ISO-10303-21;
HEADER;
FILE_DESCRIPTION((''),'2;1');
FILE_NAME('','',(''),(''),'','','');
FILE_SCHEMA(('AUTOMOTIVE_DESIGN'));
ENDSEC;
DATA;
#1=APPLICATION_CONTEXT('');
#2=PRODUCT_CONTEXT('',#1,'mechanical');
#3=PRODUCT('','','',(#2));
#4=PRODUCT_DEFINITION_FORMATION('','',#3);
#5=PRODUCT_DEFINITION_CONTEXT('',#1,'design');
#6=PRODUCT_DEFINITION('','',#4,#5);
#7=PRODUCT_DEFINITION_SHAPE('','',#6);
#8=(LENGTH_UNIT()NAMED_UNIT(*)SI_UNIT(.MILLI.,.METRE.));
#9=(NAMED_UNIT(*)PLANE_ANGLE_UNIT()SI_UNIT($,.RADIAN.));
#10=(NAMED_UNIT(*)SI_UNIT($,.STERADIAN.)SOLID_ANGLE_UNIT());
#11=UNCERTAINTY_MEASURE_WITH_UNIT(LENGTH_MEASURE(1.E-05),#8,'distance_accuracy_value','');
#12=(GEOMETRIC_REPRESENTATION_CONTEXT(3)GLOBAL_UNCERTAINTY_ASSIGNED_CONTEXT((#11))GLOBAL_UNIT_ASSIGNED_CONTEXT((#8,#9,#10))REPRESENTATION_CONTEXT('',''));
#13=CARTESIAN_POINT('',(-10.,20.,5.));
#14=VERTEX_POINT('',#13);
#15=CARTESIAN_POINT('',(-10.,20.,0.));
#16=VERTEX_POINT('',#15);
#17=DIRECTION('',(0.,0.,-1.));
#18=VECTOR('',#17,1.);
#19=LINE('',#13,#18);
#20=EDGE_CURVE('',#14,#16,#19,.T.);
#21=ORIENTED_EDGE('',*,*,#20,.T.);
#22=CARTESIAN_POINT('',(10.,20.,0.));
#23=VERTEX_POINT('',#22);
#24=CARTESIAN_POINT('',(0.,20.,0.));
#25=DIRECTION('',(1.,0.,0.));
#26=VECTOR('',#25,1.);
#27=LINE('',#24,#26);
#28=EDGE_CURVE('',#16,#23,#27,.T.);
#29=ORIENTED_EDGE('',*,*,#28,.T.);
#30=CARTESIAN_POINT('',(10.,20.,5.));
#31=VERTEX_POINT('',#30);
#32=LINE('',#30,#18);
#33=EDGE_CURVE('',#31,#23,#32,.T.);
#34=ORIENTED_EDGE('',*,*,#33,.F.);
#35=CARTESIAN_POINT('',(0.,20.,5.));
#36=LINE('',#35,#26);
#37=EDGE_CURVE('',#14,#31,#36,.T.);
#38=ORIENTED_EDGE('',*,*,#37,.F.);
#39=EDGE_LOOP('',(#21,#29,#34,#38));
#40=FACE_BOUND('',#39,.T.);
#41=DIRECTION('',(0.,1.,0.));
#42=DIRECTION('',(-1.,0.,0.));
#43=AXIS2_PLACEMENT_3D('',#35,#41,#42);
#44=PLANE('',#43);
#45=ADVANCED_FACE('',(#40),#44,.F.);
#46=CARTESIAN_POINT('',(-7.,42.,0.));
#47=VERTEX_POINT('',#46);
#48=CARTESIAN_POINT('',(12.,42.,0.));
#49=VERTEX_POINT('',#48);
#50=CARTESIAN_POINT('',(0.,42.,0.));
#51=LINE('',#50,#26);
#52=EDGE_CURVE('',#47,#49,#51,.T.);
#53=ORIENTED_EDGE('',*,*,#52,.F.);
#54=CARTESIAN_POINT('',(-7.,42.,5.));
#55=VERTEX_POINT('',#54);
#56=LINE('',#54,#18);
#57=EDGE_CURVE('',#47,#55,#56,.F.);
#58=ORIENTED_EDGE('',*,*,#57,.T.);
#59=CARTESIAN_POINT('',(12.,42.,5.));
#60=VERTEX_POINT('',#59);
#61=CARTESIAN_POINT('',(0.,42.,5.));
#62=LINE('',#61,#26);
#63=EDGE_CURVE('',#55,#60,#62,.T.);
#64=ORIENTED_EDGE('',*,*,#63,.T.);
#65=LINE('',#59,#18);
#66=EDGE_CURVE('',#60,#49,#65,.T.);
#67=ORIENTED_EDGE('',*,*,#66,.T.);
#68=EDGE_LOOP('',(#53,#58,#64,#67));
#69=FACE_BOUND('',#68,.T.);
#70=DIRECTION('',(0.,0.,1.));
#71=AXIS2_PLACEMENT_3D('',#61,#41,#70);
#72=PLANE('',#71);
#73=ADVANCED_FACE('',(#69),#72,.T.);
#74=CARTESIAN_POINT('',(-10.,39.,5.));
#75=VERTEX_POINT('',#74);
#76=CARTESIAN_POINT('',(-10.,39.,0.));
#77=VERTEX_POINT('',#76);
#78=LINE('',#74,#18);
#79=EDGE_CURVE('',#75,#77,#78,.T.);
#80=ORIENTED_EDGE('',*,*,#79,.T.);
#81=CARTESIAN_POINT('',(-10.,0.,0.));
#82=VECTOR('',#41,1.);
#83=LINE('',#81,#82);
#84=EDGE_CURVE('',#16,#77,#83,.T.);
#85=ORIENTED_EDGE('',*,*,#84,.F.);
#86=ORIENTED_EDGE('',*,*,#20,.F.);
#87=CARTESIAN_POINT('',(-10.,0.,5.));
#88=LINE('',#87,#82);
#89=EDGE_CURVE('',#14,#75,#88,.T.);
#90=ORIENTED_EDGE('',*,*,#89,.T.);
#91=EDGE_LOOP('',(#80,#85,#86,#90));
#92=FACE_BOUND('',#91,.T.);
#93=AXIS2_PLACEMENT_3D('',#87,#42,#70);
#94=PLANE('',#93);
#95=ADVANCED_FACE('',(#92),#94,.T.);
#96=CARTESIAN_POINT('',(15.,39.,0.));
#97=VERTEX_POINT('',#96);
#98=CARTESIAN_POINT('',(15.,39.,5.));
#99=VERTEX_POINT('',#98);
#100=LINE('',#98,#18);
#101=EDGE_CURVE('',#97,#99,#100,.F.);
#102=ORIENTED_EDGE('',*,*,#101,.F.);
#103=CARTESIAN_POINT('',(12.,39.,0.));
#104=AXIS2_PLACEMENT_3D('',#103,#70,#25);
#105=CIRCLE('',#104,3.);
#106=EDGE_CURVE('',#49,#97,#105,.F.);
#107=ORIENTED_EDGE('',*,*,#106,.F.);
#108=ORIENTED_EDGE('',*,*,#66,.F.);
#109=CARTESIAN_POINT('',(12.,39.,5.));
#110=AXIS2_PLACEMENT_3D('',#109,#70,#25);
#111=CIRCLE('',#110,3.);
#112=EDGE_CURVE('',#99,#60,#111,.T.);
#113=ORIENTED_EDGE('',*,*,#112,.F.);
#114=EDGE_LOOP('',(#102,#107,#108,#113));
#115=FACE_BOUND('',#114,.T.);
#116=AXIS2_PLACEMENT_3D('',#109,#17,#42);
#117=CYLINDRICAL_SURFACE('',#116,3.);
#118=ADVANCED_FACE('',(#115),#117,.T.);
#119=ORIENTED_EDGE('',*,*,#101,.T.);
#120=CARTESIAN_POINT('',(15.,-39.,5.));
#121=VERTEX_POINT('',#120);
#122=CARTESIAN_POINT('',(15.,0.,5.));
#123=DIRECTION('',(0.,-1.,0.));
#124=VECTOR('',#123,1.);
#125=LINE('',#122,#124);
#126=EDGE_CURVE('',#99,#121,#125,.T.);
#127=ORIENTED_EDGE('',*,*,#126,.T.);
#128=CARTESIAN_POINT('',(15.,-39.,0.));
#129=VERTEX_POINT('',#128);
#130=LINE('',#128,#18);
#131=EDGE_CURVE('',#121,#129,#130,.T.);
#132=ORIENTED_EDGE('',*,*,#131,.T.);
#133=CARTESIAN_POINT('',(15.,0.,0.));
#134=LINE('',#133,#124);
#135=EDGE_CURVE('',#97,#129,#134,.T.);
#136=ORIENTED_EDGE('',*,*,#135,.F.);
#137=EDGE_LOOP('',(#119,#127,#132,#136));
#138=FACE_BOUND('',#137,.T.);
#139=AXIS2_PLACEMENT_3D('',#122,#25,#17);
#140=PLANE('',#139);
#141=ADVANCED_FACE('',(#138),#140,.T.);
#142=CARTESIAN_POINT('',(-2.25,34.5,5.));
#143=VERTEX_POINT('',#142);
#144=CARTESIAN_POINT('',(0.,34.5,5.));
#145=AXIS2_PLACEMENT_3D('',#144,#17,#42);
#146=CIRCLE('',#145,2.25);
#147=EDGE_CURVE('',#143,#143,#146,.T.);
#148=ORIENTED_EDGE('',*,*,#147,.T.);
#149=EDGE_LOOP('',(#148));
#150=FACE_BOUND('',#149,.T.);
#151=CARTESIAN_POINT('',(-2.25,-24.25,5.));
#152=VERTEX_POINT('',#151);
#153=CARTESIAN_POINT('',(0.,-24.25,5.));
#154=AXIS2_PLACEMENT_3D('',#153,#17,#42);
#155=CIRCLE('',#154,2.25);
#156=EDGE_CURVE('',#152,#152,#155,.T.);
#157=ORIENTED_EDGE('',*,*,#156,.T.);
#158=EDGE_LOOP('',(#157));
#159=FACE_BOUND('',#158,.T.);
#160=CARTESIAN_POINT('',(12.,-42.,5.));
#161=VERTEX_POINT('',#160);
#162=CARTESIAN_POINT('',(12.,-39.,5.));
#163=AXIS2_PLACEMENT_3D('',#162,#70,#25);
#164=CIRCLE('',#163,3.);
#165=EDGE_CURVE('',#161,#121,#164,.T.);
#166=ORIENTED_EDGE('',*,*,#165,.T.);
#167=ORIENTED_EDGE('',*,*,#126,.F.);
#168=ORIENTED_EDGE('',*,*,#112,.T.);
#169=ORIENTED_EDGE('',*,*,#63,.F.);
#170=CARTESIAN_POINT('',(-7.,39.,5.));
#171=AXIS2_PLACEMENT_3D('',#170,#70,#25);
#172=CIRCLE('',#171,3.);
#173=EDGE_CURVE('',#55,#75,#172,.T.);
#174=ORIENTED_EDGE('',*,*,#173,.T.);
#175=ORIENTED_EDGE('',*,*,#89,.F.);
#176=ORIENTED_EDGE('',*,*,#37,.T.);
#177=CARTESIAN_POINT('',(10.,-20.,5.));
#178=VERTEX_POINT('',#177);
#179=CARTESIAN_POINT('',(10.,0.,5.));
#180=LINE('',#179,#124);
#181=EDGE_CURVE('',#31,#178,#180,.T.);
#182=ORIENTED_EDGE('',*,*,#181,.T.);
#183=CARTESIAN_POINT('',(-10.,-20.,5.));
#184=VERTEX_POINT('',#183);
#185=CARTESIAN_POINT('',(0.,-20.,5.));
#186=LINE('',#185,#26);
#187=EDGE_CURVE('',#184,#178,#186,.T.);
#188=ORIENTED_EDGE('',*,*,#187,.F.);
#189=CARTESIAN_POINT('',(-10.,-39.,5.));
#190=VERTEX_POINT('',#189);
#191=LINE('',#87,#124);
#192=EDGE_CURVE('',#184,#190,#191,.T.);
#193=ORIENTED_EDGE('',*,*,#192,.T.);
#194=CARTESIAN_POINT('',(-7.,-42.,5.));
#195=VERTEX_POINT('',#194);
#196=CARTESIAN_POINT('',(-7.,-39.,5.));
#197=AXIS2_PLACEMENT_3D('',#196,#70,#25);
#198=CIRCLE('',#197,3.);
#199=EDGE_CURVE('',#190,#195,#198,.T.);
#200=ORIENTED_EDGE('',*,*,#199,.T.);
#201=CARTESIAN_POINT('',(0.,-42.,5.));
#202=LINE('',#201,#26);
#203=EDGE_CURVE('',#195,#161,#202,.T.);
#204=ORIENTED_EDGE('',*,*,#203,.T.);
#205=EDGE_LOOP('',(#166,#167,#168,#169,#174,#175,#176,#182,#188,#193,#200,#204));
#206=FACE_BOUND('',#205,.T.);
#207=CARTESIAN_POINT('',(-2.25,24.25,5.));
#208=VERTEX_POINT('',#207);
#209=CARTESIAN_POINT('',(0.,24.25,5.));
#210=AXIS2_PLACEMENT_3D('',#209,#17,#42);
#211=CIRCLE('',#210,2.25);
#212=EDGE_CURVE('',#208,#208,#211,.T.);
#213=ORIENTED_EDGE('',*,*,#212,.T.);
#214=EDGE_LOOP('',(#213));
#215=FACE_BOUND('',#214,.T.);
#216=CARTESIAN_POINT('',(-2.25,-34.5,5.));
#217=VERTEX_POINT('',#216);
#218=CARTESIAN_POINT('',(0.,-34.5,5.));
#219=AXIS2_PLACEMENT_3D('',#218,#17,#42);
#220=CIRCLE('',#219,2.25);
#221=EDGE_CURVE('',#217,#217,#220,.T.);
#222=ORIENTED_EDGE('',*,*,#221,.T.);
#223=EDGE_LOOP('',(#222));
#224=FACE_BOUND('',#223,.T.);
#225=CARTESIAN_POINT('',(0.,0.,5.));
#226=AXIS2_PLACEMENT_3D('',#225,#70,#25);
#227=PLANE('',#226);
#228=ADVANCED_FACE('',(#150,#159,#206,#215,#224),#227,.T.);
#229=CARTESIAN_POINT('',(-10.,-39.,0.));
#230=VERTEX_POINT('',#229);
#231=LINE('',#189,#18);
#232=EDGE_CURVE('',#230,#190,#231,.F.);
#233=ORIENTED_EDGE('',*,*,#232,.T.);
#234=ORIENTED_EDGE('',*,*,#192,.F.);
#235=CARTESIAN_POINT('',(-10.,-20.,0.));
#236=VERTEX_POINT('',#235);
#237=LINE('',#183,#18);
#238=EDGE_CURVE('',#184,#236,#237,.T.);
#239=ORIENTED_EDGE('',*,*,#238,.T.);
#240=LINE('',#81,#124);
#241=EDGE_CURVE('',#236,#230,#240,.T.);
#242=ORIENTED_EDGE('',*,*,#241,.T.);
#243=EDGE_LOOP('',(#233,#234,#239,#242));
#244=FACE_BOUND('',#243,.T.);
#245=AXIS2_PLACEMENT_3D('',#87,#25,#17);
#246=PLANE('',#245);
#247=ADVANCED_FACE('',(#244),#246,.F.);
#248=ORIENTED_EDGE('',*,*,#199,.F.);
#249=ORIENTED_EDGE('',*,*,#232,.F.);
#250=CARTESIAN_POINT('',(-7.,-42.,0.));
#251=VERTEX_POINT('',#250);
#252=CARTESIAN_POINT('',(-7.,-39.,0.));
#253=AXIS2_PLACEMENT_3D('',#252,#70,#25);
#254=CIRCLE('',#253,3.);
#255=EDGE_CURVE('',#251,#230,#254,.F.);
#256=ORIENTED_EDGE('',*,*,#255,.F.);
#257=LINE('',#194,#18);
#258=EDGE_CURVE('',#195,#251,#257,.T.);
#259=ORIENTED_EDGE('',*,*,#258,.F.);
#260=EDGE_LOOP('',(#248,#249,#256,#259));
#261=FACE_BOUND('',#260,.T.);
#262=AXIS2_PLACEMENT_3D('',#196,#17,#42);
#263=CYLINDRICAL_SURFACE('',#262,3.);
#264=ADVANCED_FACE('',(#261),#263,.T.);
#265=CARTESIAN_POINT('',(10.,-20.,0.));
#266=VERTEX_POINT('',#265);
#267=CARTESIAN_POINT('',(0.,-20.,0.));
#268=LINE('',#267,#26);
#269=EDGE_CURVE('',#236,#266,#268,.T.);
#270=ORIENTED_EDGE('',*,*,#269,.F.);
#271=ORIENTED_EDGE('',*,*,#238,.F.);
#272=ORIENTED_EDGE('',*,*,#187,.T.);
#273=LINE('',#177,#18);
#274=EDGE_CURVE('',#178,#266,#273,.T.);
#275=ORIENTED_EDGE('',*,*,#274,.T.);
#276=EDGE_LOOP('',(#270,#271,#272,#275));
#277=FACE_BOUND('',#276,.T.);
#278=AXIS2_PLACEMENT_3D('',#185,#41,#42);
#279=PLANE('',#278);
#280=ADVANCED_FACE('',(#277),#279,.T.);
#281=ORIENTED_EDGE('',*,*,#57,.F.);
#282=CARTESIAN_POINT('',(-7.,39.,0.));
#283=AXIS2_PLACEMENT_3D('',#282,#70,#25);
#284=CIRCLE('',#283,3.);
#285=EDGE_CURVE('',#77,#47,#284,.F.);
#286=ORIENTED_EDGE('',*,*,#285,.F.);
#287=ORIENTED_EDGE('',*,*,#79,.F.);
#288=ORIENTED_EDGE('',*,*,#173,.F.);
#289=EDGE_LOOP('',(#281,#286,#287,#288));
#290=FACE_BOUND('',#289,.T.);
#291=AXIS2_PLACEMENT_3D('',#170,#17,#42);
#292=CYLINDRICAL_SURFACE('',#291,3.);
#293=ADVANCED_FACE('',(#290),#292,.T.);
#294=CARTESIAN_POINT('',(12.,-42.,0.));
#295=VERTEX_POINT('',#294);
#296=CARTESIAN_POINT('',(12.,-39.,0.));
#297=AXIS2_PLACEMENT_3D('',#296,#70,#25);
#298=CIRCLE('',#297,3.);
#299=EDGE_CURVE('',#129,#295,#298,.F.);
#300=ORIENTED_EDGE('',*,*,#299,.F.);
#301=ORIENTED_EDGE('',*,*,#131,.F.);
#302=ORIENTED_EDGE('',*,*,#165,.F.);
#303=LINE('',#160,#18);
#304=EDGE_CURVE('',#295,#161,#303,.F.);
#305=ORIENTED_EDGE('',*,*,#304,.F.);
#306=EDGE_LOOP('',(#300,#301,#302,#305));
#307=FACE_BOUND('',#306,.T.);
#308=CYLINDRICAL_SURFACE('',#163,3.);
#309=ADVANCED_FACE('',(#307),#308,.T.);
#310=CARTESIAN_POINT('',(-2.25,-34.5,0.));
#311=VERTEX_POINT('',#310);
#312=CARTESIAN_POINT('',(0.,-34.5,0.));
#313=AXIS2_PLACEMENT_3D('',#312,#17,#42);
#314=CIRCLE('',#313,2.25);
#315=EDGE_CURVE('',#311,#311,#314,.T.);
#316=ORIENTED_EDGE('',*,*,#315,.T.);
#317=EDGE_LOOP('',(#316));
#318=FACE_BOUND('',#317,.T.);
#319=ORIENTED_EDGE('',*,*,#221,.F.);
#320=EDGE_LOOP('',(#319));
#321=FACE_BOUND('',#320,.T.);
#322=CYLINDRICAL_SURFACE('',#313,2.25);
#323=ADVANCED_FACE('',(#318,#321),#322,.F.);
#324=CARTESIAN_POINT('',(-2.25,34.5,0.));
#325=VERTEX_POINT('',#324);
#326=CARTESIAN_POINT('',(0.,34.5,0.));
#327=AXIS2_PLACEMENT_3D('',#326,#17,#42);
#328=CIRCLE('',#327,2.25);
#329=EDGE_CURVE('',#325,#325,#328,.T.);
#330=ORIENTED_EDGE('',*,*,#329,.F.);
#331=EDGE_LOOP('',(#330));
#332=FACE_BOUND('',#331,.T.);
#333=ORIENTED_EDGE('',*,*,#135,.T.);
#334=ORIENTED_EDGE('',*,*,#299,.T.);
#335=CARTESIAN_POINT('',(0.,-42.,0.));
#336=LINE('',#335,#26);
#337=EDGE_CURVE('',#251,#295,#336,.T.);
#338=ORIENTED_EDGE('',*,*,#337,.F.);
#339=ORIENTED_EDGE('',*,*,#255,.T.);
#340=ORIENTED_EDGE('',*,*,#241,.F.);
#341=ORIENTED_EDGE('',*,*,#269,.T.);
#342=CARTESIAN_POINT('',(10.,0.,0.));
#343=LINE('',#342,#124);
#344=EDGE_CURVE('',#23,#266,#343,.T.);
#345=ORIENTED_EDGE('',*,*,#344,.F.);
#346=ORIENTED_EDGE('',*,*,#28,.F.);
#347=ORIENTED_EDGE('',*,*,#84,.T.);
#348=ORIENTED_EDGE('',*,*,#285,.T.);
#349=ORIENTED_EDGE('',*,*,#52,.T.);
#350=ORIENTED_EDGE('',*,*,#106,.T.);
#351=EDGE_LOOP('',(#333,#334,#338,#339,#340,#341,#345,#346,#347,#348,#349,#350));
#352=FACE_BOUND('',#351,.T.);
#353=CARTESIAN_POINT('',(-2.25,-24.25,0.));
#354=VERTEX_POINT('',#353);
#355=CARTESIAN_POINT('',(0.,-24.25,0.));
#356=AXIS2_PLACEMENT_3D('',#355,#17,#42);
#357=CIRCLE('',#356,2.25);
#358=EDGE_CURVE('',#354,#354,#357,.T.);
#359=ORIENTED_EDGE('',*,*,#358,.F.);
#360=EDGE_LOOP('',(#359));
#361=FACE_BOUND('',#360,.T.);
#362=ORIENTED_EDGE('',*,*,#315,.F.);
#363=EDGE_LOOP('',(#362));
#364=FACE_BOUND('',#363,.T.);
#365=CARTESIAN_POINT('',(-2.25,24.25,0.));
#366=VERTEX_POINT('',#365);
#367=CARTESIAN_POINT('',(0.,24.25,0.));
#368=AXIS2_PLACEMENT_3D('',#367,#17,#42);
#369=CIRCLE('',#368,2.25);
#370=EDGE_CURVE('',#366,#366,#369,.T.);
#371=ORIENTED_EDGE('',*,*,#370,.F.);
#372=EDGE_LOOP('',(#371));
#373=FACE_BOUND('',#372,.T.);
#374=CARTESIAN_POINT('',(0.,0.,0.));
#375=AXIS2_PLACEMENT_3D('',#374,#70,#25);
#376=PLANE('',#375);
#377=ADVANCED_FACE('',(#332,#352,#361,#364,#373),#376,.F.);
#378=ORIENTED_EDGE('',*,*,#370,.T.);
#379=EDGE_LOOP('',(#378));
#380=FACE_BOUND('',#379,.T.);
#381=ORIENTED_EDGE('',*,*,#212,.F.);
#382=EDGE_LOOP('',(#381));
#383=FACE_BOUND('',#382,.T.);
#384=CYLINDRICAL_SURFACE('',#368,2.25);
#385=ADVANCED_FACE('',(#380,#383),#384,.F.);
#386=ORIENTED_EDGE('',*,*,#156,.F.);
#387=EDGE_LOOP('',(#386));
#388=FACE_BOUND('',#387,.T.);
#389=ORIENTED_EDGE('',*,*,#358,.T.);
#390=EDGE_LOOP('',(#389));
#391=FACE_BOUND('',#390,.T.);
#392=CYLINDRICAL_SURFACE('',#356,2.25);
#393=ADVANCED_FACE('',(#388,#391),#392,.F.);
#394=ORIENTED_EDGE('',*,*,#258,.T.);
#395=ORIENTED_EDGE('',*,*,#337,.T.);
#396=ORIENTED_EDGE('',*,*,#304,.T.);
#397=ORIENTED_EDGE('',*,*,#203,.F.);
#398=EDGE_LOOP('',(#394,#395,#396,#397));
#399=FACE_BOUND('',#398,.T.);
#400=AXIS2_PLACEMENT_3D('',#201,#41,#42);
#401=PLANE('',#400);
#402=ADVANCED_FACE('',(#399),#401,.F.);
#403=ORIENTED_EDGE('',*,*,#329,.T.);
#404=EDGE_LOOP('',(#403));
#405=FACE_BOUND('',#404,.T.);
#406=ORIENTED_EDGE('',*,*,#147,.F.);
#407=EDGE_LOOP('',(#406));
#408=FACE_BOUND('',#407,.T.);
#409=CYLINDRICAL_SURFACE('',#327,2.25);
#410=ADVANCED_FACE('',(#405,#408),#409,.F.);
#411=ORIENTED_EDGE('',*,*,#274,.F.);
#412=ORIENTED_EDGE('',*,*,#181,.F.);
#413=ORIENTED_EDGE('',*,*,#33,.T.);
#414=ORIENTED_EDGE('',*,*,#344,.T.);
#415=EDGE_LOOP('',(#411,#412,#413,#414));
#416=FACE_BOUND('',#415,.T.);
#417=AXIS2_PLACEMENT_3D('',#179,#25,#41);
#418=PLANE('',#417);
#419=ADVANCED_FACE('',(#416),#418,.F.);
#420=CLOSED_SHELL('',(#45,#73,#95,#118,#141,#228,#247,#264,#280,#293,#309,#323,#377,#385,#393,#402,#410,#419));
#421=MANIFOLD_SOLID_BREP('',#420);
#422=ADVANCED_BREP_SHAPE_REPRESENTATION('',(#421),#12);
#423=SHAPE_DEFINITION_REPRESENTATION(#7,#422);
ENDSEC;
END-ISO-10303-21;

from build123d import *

# Parameters (mm, degrees)
BOSS_EXTRUDE1_DEPTH  = 5
M4_CLEARANCE_HOLE1_D = 4.5
FILLET1_R            = 3
M4_CLEARANCE_HOLE2_D = 4.5


with BuildPart() as part:
    # Sketch2 → Boss-Extrude1 (new body)
    with BuildSketch(Plane.XY):
        Polygon((15, 42), (-10, 42), (-10, 20), (10, 20), (10, -20), (-10, -20), (-10, -42), (15, -42), align=None)
    extrude(amount=BOSS_EXTRUDE1_DEPTH)

    # M4 Clearance Hole1 (through all)
    with Locations(Plane(origin=(0, 0, 0), x_dir=(1, 0, 0), z_dir=(0, 0, -1))):
        with Locations((0, -34.5), (0, 34.5)):
            Hole(M4_CLEARANCE_HOLE1_D / 2)

    # Fillet1
    fillet1_edges = [part.edges().sort_by_distance(p)[0] for p in [
        (-10, 42, 2.5),
        (15, 42, 2.5),
        (15, -42, 2.5),
        (-10, -42, 2.5),
    ]]
    fillet(fillet1_edges, radius=FILLET1_R)

    # M4 Clearance Hole2 (through all)
    with Locations(Plane(origin=(0, 0, 0), x_dir=(1, 0, 0), z_dir=(0, 0, -1))):
        with Locations((0, -24.25), (0, 24.25)):
            Hole(M4_CLEARANCE_HOLE2_D / 2)


solid = part.part
